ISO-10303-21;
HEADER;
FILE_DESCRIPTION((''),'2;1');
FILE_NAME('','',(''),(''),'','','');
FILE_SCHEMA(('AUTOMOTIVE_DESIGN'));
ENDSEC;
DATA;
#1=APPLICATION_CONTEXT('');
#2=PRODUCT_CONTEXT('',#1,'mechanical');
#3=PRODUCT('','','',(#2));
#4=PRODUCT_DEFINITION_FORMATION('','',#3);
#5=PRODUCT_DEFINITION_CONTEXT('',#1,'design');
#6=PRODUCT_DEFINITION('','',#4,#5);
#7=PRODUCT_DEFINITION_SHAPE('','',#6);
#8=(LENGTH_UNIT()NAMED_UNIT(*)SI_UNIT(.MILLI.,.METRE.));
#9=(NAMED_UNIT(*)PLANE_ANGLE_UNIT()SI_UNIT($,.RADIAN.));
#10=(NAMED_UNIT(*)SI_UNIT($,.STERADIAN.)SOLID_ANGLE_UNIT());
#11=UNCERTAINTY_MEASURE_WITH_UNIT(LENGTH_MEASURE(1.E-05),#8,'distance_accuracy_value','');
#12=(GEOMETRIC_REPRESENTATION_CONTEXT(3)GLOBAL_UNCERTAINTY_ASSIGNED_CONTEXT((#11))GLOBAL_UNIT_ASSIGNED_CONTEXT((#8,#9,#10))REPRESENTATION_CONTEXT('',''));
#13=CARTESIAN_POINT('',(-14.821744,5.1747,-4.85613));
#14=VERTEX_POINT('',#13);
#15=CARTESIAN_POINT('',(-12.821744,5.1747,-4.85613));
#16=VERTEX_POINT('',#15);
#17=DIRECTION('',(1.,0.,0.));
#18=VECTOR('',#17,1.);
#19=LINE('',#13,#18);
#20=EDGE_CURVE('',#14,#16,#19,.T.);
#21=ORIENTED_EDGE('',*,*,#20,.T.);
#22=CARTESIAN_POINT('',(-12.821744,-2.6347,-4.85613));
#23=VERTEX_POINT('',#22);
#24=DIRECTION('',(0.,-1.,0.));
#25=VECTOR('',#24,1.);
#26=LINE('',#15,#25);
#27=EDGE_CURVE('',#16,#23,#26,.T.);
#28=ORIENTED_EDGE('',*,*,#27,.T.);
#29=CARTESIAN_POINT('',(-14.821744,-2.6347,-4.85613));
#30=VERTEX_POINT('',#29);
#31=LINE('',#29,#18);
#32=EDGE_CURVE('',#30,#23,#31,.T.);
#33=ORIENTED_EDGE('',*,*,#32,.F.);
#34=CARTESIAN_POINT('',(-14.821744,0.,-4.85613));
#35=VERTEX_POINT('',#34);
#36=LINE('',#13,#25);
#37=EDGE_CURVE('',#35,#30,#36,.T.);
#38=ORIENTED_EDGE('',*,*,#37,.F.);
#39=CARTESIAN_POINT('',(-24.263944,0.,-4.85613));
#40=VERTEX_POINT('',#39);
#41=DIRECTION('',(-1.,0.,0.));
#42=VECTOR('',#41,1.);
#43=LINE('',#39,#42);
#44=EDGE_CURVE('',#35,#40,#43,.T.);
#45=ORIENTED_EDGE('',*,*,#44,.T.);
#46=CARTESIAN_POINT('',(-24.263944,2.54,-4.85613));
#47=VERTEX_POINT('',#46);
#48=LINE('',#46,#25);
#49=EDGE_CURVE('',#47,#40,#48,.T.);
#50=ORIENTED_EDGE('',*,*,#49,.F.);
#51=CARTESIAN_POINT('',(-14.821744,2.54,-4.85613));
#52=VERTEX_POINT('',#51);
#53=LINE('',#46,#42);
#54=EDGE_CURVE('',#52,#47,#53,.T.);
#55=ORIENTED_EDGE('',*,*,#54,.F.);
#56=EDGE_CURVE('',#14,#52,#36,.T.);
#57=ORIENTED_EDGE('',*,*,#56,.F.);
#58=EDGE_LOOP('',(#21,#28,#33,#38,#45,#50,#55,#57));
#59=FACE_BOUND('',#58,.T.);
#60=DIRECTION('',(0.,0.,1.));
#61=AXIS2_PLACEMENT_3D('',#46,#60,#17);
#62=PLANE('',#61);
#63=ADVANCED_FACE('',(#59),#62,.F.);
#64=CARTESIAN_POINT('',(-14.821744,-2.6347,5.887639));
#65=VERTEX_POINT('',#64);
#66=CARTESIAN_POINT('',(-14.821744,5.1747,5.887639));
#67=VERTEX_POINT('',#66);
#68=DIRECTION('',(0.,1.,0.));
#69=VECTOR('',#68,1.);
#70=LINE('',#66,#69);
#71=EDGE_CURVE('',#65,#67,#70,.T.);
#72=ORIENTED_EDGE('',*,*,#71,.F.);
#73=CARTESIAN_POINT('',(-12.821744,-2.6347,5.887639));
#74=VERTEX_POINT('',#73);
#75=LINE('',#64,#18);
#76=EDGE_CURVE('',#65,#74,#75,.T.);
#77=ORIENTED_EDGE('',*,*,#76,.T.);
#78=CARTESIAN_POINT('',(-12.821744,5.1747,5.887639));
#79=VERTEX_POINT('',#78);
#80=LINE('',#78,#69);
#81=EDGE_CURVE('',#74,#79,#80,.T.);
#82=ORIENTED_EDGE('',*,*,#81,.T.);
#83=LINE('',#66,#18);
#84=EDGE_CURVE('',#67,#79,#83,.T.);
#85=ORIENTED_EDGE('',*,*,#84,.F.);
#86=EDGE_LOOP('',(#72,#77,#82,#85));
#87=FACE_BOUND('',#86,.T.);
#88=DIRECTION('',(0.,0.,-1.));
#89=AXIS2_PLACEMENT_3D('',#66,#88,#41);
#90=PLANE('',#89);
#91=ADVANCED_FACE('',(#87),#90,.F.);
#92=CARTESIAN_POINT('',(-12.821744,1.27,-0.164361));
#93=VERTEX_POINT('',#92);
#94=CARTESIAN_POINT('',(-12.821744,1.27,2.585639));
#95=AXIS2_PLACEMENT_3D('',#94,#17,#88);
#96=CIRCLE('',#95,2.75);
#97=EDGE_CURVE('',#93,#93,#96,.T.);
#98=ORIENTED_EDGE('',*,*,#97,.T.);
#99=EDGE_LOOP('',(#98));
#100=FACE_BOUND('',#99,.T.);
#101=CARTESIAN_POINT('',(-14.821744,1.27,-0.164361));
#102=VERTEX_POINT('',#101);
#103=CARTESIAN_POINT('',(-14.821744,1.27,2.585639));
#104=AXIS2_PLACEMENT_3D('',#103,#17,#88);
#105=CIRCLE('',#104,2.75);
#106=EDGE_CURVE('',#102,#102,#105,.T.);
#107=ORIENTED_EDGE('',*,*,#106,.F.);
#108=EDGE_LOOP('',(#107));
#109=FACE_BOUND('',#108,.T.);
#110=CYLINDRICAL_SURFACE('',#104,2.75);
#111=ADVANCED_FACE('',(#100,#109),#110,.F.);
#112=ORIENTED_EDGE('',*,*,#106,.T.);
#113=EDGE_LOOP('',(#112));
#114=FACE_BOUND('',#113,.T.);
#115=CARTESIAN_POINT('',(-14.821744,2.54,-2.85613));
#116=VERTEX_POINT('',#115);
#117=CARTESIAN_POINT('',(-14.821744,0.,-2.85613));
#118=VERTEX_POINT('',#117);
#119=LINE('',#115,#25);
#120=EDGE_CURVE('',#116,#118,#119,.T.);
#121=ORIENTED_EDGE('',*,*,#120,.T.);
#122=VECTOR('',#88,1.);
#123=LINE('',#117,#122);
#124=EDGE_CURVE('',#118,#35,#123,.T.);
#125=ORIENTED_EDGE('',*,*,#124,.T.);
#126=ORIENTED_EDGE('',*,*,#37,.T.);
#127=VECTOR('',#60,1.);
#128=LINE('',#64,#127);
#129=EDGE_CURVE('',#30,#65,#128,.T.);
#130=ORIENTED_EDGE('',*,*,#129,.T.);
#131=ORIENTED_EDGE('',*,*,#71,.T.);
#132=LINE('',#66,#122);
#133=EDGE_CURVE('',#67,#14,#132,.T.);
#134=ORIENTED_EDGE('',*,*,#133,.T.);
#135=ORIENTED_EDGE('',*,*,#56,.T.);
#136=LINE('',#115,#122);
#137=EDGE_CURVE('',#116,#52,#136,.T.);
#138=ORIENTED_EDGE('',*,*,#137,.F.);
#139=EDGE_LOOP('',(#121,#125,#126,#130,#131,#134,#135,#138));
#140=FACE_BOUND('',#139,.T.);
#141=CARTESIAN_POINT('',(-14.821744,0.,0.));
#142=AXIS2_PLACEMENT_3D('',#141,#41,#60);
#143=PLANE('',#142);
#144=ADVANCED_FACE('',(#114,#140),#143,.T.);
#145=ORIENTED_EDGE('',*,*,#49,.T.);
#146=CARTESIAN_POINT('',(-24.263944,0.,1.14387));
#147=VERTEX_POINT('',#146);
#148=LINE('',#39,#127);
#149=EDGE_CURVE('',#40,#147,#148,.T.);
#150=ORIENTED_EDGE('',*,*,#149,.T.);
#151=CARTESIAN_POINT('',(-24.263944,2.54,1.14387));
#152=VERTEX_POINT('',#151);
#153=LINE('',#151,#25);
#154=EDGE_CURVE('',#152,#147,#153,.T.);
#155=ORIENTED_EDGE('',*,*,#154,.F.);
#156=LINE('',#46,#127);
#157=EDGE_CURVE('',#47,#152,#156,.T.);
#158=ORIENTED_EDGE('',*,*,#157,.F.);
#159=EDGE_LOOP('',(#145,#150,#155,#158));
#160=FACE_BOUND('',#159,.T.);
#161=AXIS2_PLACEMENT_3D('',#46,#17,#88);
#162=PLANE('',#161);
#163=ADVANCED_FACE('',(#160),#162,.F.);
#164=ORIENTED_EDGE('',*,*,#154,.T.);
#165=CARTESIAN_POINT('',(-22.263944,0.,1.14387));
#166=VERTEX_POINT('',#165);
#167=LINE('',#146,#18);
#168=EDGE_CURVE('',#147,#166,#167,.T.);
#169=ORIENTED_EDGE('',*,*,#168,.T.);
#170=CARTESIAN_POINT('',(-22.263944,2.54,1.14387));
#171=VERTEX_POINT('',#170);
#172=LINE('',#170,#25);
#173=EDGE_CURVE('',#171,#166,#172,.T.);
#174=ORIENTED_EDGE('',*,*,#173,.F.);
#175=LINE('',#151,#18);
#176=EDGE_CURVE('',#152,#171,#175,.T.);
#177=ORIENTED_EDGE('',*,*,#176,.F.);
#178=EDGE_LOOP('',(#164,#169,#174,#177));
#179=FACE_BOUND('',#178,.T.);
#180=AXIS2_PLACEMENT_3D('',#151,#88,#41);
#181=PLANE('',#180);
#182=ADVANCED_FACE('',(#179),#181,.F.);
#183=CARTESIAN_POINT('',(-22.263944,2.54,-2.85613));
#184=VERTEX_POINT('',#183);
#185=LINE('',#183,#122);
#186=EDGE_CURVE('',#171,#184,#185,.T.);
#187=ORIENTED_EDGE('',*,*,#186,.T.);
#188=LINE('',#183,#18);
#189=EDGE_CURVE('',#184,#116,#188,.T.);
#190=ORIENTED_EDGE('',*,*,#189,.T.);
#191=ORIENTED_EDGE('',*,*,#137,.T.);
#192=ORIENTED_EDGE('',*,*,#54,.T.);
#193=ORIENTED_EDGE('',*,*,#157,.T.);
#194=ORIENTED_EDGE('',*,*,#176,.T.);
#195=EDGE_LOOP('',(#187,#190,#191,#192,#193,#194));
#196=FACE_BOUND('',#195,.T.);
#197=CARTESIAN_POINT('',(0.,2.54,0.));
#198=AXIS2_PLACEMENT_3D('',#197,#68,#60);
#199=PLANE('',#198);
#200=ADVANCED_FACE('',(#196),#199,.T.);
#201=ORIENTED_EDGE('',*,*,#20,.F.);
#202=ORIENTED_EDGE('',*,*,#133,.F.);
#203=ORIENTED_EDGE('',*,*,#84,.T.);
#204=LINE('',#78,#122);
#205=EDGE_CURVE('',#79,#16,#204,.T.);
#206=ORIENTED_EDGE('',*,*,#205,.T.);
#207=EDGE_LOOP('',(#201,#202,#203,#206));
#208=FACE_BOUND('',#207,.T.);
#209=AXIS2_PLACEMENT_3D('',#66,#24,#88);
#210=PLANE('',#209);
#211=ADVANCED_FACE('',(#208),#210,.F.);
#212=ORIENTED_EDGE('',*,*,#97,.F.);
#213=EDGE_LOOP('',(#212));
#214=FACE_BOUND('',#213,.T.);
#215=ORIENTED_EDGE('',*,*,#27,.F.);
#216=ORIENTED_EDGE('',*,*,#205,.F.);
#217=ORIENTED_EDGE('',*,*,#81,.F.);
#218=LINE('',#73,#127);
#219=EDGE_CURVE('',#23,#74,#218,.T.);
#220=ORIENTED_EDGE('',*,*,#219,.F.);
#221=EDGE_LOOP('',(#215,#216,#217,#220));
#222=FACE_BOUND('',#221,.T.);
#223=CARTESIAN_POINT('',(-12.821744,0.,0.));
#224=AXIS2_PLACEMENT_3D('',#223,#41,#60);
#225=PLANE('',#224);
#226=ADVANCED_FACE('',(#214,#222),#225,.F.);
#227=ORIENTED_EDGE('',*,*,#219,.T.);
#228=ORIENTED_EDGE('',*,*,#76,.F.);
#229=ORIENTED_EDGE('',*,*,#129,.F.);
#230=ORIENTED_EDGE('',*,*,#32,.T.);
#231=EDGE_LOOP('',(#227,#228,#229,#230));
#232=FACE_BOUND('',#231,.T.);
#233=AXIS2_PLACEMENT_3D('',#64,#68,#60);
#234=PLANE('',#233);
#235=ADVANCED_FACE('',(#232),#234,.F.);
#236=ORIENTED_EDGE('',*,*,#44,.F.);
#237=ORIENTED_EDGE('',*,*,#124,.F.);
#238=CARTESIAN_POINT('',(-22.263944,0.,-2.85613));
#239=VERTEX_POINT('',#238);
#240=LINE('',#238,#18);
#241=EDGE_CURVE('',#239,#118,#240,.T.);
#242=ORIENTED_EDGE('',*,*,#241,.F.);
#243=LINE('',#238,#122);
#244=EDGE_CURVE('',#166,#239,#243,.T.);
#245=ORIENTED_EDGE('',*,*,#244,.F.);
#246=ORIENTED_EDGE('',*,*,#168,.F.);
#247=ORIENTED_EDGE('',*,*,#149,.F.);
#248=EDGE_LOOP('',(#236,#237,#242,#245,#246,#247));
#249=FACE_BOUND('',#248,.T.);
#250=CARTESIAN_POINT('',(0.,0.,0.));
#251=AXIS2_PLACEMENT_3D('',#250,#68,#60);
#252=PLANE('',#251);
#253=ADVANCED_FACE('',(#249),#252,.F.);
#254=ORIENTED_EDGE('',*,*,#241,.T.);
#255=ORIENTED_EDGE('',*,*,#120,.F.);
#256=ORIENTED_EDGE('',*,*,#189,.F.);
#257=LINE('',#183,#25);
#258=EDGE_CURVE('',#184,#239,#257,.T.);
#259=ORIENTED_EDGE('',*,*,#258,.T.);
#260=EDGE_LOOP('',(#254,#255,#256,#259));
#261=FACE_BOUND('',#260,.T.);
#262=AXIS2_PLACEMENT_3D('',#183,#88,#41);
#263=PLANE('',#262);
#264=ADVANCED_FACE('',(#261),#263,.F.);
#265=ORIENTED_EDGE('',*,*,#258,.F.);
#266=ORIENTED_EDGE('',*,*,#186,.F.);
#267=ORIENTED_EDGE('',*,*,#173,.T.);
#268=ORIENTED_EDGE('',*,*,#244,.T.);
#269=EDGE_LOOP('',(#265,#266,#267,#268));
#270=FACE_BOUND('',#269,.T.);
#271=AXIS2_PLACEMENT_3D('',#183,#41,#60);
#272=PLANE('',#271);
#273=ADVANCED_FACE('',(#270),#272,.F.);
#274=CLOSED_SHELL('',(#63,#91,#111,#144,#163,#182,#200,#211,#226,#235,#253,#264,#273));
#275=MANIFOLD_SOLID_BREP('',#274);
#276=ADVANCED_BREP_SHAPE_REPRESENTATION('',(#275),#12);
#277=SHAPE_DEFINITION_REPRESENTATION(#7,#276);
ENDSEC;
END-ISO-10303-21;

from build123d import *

# Parameters (mm, degrees)
BOSS_EXTRUDE1_DEPTH = 2.54
F_3DSKETCH1_R       = 2.75
BOSS_EXTRUDE3_DEPTH = 2


with BuildPart() as part:
    # Sketch1 → Boss-Extrude1 (new body)
    with BuildSketch(Plane(origin=(0, 0, 0), x_dir=(1, 0, 0), z_dir=(0, 1, 0))):
        Polygon((-24.263943822, 4.856129722), (-24.263943822, -1.143870278), (-22.263943822, -1.143870278), (-22.263943822, 2.856129722), (-14.821743822, 2.856129722), (-14.821743822, 4.856129722), align=None)
    extrude(amount=BOSS_EXTRUDE1_DEPTH)

    # 3DSketch1 → Boss-Extrude3 (add)
    with BuildSketch(Plane(origin=(-14.821743822, 5.174700089, 5.887638741), x_dir=(0, -0.5879624138152767, -0.808888249352476), z_dir=(1, 0, 0))):
        Polygon((0, 0), (4.591633779, -6.316932039), (13.282141842, 0), (8.690508063, 6.316932039), align=None)
        with Locations(Location((4.966765889, -1.217014129, 0), (0, 0, 36.012547839))):
            Circle(F_3DSKETCH1_R, mode=Mode.SUBTRACT)
    extrude(amount=BOSS_EXTRUDE3_DEPTH)


solid = part.part
